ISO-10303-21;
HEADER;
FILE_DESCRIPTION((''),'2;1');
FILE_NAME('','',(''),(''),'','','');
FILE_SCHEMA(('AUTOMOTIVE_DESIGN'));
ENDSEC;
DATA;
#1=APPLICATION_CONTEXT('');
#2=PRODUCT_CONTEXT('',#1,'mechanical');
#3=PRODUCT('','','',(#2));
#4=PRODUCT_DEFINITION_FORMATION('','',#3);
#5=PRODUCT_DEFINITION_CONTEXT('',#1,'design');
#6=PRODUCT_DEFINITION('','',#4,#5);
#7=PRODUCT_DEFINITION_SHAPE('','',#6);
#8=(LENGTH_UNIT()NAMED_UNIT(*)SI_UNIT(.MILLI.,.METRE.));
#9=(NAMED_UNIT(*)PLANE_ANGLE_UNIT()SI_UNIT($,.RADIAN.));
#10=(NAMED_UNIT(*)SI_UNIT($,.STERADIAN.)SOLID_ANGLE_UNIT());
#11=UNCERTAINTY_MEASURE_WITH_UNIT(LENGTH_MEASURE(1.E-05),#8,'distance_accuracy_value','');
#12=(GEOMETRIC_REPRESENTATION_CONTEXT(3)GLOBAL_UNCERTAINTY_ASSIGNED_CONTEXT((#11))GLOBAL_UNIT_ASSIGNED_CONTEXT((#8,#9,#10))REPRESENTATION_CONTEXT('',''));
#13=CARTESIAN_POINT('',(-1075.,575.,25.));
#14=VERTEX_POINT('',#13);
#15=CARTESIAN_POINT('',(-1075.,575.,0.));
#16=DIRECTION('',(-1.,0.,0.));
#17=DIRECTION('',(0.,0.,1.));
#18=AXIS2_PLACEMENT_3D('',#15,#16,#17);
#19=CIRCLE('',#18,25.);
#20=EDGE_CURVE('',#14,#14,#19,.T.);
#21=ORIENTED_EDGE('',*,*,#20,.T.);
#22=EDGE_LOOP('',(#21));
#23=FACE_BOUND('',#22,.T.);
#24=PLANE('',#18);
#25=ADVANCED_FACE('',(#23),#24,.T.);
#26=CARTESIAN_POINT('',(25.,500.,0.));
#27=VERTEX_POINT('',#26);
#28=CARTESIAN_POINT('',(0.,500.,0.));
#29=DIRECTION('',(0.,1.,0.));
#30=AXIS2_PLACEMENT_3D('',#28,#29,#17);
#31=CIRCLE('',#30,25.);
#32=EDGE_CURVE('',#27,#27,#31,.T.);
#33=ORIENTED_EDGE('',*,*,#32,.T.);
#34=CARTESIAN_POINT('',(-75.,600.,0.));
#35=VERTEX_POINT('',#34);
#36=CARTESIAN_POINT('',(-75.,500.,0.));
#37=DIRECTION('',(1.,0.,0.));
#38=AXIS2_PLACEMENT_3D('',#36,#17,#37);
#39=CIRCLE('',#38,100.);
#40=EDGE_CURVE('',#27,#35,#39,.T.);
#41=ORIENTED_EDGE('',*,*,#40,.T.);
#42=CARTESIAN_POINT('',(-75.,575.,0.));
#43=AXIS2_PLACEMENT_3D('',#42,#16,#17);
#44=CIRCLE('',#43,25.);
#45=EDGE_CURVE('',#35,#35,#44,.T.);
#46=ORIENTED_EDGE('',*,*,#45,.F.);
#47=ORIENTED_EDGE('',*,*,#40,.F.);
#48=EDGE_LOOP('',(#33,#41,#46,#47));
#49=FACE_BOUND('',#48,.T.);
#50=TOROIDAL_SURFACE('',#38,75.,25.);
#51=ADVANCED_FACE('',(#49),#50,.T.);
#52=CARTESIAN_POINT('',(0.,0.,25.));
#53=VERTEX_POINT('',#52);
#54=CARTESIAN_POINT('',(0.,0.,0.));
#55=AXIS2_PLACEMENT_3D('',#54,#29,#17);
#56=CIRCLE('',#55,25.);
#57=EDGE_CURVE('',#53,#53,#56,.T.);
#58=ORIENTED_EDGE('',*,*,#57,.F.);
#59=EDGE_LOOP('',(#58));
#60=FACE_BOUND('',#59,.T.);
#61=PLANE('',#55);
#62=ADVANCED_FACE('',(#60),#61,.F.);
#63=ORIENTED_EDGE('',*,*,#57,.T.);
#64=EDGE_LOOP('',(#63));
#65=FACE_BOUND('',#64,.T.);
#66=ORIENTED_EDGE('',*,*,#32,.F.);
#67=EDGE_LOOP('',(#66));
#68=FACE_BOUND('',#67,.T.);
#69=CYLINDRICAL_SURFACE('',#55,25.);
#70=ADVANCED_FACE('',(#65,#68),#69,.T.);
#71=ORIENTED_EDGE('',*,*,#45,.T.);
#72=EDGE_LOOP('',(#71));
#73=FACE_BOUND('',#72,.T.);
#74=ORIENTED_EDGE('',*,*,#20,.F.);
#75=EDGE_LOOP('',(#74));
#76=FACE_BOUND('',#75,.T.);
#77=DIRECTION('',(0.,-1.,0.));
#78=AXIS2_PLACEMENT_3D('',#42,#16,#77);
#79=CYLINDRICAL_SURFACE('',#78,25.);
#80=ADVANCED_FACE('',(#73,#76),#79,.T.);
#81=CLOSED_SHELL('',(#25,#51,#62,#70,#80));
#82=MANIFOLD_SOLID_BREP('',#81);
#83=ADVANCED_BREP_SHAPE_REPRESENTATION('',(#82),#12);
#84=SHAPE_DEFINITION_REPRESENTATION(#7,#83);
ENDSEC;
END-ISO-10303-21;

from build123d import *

# Parameters (mm, degrees)
SKETCH2_R = 25


with BuildPart() as part:
    # Sweep1: sweep along a path in Sketch1
    with BuildLine(Plane.XY) as sweep1_path:
        Line((0, 0), (0, 500))
        ThreePointArc((0, 500), (-21.966991411, 553.033008589), (-75, 575))
        Line((-75, 575), (-1075, 575))
    # Sketch2 → Sweep1 (sweep)
    with BuildSketch(Plane(origin=(0, 0, 0), x_dir=(1, 0, 0), z_dir=(0, 1, 0))):
        Circle(SKETCH2_R)
    sweep(path=sweep1_path.line)


solid = part.part
